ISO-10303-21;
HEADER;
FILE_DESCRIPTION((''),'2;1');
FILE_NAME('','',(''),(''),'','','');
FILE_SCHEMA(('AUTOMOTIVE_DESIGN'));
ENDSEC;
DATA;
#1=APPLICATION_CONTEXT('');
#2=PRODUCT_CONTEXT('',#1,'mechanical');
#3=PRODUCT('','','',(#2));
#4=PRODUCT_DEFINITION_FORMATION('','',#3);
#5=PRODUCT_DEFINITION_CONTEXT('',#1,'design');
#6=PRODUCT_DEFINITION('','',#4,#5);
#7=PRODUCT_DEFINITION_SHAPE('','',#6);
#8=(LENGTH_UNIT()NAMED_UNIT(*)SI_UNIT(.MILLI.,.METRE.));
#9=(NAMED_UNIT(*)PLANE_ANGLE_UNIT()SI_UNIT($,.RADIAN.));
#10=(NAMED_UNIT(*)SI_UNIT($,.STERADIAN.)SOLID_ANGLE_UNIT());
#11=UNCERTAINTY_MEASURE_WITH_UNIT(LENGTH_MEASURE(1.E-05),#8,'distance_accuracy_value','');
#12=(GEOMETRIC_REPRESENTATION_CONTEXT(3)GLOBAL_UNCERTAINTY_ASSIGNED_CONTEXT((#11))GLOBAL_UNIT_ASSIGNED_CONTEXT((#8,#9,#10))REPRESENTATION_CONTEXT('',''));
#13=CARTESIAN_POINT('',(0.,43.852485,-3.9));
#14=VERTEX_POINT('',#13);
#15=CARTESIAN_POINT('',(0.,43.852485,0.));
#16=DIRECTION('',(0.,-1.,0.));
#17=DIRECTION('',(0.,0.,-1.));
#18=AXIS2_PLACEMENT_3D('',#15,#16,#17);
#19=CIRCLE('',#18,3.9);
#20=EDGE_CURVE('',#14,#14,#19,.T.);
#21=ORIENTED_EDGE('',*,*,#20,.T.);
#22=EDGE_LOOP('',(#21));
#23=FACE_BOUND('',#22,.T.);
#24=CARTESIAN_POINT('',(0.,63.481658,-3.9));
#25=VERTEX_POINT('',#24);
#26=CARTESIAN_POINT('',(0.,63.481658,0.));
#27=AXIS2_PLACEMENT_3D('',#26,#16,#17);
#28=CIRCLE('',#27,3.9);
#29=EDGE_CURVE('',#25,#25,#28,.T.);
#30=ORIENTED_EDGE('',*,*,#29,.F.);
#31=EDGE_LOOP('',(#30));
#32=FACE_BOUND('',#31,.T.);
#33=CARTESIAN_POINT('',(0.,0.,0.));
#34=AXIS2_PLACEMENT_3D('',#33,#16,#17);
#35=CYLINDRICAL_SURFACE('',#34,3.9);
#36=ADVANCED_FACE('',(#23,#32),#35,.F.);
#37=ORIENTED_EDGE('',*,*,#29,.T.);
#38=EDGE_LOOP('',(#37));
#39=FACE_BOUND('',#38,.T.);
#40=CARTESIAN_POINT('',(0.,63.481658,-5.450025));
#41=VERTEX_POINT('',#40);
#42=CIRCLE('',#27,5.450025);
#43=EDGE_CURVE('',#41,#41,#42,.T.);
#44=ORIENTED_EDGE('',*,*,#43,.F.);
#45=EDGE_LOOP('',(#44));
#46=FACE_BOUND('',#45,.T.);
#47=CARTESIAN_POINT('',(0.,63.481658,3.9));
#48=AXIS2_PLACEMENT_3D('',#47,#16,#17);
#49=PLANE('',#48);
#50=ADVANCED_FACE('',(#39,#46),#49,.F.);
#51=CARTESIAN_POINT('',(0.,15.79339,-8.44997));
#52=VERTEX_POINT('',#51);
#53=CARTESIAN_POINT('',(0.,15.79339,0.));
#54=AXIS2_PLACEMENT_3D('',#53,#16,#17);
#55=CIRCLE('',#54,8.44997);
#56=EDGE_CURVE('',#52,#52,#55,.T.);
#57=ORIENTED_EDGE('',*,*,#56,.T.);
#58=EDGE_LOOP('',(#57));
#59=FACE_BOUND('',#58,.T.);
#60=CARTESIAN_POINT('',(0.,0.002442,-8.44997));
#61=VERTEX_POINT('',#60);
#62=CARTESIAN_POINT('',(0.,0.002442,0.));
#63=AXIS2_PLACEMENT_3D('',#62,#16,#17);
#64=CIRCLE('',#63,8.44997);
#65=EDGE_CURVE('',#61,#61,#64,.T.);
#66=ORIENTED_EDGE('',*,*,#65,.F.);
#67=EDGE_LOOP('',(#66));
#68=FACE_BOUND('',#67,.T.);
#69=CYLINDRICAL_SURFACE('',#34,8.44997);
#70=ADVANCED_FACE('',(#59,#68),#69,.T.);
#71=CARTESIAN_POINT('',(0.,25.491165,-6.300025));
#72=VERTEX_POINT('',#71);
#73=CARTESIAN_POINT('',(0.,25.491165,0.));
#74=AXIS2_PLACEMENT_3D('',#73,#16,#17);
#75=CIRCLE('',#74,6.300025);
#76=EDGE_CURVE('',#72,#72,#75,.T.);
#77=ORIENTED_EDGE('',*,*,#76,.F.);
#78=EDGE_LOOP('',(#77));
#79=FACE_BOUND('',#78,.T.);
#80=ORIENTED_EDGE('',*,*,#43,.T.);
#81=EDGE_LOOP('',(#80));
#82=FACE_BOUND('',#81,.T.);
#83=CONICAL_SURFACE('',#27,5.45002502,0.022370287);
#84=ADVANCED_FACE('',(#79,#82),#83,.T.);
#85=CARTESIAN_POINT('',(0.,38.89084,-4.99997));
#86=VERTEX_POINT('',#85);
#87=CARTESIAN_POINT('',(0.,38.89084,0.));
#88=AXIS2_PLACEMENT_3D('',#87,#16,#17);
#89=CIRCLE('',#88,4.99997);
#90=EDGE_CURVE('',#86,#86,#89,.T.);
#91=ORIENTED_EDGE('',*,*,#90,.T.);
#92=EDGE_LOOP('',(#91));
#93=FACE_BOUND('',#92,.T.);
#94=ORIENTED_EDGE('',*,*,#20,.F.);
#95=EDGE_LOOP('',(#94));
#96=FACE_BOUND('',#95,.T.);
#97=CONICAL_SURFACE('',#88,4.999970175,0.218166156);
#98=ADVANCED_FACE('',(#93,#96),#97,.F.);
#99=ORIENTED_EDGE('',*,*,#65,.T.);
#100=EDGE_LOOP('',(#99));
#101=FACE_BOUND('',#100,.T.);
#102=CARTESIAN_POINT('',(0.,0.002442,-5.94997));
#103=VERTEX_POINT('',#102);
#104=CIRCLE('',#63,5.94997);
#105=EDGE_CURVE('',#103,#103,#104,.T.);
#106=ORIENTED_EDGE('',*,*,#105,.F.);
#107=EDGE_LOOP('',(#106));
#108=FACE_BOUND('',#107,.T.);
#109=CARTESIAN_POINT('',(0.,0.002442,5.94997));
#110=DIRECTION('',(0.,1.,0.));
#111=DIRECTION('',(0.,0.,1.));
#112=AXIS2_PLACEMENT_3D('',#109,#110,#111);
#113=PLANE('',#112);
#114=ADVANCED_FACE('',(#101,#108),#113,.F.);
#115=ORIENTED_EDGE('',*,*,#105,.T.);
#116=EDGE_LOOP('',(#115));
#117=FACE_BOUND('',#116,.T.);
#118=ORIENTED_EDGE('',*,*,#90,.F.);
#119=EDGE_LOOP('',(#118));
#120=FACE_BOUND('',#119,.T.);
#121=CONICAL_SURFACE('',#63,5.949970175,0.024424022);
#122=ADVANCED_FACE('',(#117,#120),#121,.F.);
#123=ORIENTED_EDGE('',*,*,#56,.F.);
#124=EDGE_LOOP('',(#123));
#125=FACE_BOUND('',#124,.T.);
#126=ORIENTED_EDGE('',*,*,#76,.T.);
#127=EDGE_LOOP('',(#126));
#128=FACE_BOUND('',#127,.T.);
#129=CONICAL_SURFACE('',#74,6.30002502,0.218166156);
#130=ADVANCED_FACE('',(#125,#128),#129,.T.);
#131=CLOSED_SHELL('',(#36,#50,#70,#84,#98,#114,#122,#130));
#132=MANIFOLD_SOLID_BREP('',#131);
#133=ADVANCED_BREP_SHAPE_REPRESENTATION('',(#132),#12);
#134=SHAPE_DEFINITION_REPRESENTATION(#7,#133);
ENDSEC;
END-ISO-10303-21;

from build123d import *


with BuildPart() as part:
    # Sketch1 → Revolve1 (revolve)
    with BuildSketch(Plane(origin=(0, 0, 0), x_dir=(0, 0, -1), z_dir=(1, 0, 0))):
        Polygon((-4.999970175, 38.890840172), (-5.949970175, 0.002442159), (-8.449970175, 0.002442159), (-8.449970175, 15.793389561), (-6.30002502, 25.491165452), (-5.45002502, 63.481657683), (-3.9, 63.481657683), (-3.9, 43.852484994), align=None)
    revolve(axis=Axis((0, 0, 0), (0, 1, 0)))


solid = part.part
